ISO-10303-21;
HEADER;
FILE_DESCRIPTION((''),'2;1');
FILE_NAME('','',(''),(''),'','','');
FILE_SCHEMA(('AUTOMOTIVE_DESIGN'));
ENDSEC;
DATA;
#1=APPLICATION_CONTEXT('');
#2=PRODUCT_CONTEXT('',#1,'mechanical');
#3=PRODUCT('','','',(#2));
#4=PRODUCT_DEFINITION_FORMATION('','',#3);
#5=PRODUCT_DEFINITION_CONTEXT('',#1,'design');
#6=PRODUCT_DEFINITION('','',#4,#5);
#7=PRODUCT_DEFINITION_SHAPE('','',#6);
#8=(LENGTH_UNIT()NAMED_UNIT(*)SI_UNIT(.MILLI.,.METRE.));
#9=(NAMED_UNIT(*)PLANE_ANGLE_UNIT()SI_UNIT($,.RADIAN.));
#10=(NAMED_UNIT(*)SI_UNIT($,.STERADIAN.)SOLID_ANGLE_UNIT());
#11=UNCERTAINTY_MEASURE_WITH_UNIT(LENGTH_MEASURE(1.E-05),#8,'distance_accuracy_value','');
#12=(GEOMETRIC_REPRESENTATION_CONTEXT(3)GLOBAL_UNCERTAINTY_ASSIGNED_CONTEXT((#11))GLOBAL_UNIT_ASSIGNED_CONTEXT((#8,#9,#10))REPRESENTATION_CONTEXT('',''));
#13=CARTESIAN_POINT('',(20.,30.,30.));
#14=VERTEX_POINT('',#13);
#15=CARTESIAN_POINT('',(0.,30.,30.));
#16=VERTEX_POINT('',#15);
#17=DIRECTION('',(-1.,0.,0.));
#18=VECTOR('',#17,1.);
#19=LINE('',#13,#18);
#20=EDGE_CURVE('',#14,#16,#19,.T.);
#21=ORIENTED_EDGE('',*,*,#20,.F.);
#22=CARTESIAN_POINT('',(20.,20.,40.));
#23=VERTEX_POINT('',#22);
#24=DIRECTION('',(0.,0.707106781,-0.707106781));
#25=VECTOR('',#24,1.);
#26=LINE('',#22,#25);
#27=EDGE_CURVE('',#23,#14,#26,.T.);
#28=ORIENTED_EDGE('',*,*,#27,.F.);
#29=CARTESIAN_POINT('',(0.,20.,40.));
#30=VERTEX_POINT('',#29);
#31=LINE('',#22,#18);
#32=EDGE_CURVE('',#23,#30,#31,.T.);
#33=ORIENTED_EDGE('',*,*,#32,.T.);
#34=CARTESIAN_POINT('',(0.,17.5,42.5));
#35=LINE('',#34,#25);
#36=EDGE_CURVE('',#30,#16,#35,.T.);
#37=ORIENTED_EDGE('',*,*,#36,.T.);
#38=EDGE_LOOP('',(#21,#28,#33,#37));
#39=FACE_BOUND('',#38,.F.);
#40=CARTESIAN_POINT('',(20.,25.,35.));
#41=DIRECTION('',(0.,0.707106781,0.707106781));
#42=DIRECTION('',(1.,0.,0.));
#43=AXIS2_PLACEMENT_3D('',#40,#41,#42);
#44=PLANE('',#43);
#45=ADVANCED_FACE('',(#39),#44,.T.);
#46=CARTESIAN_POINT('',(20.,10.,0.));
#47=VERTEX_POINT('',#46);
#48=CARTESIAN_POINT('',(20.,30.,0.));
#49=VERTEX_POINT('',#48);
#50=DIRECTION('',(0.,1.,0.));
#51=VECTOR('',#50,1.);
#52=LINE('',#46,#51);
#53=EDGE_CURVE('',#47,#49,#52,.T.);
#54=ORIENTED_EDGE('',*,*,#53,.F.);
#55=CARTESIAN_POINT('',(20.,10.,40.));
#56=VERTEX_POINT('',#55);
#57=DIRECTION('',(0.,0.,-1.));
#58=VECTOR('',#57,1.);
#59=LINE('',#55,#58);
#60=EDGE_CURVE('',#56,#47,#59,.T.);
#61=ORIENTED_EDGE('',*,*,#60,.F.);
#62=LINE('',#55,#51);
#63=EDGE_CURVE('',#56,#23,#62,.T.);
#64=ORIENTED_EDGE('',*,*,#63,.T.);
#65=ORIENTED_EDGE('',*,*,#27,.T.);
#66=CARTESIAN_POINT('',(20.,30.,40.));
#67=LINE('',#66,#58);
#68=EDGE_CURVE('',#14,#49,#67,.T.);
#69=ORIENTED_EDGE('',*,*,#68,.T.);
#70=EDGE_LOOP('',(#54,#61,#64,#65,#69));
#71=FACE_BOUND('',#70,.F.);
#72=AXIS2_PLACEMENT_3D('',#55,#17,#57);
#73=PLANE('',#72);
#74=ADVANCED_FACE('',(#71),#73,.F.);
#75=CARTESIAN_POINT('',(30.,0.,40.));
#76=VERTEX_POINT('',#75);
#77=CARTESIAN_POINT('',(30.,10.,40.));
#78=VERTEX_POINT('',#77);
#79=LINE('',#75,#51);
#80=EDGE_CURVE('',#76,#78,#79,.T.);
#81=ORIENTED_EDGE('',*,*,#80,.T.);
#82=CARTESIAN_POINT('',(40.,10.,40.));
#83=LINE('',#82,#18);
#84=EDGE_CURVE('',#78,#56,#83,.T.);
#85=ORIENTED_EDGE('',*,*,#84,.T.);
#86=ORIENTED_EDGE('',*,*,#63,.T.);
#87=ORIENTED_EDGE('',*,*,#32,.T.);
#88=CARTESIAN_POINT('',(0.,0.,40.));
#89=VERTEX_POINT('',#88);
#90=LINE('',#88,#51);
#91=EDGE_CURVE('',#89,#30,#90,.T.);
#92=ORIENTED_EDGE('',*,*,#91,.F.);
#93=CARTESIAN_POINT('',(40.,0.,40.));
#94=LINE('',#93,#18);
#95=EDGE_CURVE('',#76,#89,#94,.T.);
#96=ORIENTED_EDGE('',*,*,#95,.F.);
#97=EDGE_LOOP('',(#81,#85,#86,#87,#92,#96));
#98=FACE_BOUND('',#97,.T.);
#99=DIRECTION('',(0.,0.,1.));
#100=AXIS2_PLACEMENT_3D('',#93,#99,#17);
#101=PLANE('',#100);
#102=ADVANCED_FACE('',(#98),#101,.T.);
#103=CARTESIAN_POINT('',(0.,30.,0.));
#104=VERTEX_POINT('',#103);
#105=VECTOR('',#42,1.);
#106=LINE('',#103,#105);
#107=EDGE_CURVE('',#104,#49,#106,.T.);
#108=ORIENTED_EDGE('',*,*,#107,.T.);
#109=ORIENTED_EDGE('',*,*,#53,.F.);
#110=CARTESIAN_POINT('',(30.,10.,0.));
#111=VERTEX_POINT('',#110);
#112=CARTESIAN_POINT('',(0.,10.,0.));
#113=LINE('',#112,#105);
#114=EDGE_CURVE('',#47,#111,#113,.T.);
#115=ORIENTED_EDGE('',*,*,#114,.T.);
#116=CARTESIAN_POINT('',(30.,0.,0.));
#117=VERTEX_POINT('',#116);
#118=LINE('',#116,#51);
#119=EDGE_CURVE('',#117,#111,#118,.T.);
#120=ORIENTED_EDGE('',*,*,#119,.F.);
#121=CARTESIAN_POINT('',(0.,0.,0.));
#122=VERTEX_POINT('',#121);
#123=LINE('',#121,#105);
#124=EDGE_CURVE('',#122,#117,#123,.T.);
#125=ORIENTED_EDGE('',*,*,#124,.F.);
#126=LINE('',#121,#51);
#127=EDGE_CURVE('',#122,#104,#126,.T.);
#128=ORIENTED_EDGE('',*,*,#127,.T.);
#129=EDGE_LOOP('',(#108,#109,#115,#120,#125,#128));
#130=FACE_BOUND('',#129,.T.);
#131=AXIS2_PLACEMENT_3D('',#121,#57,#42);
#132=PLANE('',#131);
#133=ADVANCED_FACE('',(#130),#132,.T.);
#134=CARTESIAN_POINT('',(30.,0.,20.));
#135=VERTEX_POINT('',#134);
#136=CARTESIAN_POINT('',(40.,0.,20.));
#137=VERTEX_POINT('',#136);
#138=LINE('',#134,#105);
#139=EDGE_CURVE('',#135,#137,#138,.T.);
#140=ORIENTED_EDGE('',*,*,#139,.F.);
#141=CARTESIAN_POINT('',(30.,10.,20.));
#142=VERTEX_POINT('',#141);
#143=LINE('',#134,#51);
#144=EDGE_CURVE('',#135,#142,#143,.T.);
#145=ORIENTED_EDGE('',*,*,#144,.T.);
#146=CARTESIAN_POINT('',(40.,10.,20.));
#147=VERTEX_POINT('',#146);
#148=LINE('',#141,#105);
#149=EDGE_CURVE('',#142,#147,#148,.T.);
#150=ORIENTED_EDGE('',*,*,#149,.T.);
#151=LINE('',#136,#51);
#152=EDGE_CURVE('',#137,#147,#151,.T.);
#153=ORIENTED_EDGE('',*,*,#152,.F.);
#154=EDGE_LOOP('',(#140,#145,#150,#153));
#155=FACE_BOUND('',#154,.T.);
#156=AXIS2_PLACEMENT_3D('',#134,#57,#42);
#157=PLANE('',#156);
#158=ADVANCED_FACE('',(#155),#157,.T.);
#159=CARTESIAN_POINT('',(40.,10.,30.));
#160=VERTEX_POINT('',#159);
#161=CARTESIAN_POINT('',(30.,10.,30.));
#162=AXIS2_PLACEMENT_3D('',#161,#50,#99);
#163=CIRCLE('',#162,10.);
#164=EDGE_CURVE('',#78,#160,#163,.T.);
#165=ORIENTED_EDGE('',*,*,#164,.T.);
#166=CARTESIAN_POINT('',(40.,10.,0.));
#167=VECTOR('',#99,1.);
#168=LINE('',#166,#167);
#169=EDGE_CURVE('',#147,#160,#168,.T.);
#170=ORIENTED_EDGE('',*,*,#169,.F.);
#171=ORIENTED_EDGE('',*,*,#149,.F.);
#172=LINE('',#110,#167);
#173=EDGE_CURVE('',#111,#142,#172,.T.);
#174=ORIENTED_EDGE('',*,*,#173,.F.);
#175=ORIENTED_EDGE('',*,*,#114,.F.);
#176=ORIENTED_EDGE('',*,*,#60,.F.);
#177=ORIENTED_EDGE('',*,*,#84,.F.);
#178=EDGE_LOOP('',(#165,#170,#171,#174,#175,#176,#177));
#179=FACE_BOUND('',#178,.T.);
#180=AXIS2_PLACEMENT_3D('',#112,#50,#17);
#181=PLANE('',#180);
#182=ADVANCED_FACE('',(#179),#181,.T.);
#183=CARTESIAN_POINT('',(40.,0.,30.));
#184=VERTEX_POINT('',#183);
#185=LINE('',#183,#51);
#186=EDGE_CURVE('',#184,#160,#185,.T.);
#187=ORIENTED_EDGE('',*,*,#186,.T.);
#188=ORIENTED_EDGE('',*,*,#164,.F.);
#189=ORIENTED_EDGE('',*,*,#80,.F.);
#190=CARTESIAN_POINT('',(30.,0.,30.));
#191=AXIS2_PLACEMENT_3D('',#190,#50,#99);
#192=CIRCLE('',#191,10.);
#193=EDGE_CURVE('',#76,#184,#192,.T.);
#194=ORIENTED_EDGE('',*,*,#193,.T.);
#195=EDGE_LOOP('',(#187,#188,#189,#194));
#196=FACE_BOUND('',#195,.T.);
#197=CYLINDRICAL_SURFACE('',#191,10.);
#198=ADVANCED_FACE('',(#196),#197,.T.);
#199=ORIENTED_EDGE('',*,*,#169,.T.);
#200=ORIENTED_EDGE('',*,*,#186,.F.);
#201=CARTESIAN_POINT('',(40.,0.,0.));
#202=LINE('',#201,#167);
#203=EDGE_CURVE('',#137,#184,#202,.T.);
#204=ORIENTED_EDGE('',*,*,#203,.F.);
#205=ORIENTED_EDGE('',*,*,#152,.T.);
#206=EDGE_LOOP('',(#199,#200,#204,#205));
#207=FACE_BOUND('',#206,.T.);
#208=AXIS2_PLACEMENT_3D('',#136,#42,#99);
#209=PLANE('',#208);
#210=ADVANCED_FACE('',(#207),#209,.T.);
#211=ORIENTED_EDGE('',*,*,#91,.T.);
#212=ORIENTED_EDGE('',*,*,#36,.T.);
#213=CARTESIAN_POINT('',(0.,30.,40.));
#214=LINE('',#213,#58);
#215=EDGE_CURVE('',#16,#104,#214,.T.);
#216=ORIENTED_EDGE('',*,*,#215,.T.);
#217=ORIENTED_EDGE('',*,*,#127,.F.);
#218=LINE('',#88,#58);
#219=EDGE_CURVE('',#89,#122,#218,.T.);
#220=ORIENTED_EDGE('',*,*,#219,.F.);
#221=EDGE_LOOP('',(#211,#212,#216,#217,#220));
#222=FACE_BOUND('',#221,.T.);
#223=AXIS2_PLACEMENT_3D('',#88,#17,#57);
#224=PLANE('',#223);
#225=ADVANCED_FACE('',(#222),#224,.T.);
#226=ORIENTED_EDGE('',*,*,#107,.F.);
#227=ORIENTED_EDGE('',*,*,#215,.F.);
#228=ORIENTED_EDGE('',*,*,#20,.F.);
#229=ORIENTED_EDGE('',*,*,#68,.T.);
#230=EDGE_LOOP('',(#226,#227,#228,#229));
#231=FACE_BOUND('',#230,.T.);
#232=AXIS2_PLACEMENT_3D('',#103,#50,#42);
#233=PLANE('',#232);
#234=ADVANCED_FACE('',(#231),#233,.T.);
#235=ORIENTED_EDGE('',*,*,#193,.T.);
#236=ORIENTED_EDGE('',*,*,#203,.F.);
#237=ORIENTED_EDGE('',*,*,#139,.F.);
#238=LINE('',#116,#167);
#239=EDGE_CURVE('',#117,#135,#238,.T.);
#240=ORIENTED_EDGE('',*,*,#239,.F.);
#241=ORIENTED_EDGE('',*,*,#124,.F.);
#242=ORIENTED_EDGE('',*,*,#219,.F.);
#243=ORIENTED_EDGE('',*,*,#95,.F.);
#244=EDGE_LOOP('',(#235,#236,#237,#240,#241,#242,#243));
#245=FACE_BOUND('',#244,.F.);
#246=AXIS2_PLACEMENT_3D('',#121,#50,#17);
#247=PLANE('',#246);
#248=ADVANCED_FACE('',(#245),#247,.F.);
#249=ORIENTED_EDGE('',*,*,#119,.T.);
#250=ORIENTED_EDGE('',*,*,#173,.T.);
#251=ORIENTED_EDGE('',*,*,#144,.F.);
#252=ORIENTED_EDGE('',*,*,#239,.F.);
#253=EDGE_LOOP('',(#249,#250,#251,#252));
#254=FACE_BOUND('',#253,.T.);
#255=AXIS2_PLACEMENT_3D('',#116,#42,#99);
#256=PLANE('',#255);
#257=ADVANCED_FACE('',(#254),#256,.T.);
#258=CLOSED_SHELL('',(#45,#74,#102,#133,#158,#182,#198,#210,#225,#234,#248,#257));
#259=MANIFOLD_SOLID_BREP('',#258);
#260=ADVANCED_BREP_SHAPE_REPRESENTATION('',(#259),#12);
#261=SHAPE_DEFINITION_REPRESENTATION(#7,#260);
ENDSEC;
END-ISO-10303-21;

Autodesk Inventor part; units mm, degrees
ref_plane "YZ Plane" through (0, 0, 0) normal (1, 0, 0) x (0, 1, 0)
ref_plane "XZ Plane" through (0, 0, 0) normal (0, 1, 0) x (-1, 0, 0)
ref_plane "XY Plane" through (0, 0, 0) normal (0, 0, 1) x (1, 0, 0)
sketch "草圖1" plane through (0, 0, 0) normal (0, 1, 0) x (-1, 0, 0)
  line L0 (0, 0) -> (-40, 0)
  line L1 (-40, 0) -> (-40, 40)
  line L2 (-40, 40) -> (0, 40)
  line L3 (0, 40) -> (0, 0)
  line L4 (-40, 0) -> (-30, 0)
  line L5 (-30, 0) -> (-30, 20)
  line L6 (-30, 20) -> (-40, 20)
  line L7 (-40, 20) -> (-40, 0)
  dimension "d0" = 40
  dimension "d1" = 40
  dimension "d2" = 10
  dimension "d3" = 20
extrude "擠出1" add sketch "草圖1" along normal blind 10 contours L0 L5 L6 L1 L2 L3
sketch "草圖2" plane through (0, 10, 0) normal (0, 1, 0) x (1, 0, 0)
  line L0 (30, 0) -> (30, -20) projected
  line L1 (30, -20) -> (40, -20) projected
  line L2 (40, -20) -> (40, -40) projected
  line L3 (40, -40) -> (0, -40) projected
  line L4 (0, -40) -> (0, 0) projected
  line L5 (0, 0) -> (30, 0) projected
  line L6 (0, -40) -> (20, -40)
  line L7 (20, -40) -> (20, 0)
  line L8 (20, 0) -> (0, 0)
  line L9 (0, 0) -> (0, -40)
  line L10 (30, 0) -> (0, 0) projected
  point P0 (20, 0)
  dimension "d6" = 20
extrude "擠出2" add sketch "草圖2" along normal blind 20 contours L7 L3 L4 L5
chamfer "倒角1" distance 10 angle 45 1 edges at (10, 30, 40)
fillet "圓角1" radius 10 1 edges at (40, 5, 40)
properties part number "47" material "鋼、碳鋼"
